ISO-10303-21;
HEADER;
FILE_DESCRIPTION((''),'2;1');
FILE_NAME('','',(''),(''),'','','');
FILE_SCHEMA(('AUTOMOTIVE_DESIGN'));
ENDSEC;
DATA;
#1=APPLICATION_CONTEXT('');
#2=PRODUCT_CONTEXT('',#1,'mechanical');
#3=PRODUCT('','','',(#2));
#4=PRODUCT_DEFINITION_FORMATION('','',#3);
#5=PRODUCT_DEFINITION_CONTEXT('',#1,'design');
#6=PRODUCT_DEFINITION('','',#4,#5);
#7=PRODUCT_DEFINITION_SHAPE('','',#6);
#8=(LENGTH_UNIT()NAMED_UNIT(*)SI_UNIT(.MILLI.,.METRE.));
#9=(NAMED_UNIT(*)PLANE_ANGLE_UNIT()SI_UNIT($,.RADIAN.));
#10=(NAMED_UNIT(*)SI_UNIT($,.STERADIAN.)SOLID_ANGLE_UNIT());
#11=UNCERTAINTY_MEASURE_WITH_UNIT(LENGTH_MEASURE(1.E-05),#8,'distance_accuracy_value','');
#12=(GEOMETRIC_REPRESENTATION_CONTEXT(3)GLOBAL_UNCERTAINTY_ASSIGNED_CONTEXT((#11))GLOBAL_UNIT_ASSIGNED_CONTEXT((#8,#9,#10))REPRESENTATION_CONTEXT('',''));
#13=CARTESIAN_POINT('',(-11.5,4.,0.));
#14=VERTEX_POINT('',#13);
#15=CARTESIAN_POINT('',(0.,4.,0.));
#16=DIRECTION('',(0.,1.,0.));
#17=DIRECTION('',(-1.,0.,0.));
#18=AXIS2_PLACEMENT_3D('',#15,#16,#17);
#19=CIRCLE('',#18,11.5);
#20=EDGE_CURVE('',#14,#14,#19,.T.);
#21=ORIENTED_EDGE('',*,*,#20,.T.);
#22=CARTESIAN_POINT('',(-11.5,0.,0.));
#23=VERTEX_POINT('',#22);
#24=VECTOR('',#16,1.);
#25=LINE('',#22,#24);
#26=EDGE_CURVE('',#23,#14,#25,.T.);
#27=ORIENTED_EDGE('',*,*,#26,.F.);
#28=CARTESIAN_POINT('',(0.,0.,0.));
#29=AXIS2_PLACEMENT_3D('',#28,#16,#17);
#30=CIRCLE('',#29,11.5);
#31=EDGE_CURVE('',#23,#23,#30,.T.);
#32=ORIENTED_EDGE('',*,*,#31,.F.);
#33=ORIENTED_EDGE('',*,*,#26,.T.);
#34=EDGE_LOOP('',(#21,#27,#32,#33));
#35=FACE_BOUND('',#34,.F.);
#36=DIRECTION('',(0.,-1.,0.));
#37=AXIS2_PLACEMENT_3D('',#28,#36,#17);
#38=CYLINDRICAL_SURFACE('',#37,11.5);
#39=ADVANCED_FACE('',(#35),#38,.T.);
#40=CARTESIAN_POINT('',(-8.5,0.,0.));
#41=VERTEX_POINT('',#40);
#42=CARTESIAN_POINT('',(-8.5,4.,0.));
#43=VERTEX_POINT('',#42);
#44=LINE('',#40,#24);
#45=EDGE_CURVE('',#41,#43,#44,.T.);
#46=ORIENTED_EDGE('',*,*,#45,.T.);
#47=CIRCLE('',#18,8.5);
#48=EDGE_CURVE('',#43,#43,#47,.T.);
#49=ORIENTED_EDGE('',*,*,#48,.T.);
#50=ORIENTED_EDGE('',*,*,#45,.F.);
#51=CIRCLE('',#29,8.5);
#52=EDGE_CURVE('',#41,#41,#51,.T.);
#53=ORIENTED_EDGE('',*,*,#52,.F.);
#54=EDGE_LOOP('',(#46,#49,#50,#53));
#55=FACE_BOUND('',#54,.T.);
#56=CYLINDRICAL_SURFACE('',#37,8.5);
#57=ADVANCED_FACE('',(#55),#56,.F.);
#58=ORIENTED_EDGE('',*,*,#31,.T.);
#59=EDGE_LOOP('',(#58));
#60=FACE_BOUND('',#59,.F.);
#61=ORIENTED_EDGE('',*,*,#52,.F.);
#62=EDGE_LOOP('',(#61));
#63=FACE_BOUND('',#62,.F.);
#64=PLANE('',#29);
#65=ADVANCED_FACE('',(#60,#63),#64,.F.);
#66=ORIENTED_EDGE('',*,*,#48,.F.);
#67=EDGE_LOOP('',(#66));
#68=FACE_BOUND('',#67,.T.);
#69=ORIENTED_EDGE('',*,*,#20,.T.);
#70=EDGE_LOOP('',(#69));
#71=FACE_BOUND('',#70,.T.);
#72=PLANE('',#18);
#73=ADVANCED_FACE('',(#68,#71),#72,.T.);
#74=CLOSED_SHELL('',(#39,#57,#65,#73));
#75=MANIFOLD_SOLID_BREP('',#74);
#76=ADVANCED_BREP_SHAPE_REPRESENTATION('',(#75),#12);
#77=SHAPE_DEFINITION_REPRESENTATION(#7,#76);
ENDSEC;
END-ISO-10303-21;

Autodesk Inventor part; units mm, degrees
ref_plane "YZ Plane" through (0, 0, 0) normal (1, 0, 0) x (0, 1, 0)
ref_plane "XZ Plane" through (0, 0, 0) normal (0, 1, 0) x (-1, 0, 0)
ref_plane "XY Plane" through (0, 0, 0) normal (0, 0, 1) x (1, 0, 0)
sketch "Sketch1" plane through (0, 0, 0) normal (0, 1, 0) x (-1, 0, 0)
  circle A0 centre (0, 0) radius 11.5
  circle A1 centre (0, 0) radius 8.5
  dimension "d0" = 17
  dimension "d1" = 23
extrude "Extrusion1" add sketch "Sketch1" along normal blind 4
properties part number "6703ZZ"
